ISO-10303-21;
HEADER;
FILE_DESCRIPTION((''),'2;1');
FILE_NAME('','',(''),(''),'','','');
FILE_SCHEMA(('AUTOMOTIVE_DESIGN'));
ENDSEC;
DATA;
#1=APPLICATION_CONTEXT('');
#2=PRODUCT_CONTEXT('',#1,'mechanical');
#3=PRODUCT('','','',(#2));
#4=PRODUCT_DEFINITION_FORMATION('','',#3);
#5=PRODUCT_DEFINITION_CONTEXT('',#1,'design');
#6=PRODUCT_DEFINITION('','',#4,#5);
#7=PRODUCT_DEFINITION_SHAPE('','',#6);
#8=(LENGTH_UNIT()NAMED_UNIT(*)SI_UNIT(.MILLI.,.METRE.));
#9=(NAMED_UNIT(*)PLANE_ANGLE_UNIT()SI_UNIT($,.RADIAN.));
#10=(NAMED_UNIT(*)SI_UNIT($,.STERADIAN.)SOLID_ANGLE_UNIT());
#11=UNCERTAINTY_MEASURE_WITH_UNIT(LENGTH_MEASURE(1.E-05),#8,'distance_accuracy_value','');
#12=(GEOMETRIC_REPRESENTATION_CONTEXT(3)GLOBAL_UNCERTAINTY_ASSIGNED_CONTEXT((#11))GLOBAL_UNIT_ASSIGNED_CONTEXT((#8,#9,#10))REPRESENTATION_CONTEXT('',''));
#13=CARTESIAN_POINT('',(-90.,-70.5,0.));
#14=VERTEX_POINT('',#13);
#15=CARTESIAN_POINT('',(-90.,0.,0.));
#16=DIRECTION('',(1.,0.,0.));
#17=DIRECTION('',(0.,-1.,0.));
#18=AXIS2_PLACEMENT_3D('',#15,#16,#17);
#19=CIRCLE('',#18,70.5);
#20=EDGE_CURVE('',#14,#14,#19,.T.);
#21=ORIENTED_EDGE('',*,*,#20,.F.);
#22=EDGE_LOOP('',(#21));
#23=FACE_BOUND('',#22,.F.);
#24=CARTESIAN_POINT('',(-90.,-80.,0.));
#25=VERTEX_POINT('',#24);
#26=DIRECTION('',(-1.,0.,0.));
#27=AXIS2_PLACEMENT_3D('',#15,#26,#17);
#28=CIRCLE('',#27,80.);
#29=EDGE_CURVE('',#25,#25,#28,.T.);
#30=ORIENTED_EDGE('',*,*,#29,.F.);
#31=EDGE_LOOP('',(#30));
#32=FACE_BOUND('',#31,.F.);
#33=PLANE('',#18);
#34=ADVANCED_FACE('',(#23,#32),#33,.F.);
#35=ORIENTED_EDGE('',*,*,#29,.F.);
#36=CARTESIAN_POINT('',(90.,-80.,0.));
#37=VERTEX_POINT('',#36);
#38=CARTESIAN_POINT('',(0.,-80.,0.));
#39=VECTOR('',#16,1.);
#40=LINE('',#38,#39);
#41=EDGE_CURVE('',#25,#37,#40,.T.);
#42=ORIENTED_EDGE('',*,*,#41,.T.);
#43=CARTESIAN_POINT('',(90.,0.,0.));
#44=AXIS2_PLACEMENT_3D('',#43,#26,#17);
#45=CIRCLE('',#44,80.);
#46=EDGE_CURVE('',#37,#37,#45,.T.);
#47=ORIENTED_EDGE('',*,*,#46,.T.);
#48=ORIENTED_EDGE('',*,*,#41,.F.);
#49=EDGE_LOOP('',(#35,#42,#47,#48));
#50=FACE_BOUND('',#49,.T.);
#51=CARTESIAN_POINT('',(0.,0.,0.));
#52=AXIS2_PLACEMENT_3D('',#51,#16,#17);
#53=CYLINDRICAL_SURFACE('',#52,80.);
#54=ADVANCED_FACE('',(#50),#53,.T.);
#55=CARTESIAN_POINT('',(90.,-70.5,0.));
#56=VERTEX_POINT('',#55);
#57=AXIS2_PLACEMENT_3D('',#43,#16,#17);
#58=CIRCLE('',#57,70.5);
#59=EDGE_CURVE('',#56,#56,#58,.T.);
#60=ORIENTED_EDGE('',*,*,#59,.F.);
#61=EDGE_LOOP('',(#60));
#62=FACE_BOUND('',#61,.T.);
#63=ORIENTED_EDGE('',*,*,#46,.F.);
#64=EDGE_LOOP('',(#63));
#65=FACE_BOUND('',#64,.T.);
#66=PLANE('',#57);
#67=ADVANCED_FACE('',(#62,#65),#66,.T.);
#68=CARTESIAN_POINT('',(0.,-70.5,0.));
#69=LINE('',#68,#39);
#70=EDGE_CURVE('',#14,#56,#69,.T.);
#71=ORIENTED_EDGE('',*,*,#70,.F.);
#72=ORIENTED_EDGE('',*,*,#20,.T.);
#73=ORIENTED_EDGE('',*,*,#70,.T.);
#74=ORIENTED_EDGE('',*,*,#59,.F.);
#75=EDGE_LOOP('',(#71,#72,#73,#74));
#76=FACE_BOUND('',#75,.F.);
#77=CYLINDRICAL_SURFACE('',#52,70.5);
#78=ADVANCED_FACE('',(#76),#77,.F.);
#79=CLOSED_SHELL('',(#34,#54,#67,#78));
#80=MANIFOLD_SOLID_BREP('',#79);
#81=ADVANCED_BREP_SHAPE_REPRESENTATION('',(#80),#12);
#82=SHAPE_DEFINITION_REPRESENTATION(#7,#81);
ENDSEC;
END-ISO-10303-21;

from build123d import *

# Parameters (mm, degrees)
F0_W          = 180
F0_H          = 9.5
F1_ANGLE_BACK = 90
F1_ANGLE      = 180


with BuildPart() as f1:
    # F0 (on Front) → F1 (revolve)
    with BuildSketch(Plane.XZ, mode=Mode.PRIVATE) as f1_sk:
        with Locations((0, 75.25)):
            Rectangle(F0_W, F0_H)
        with Locations((0, -75.25)):
            Rectangle(F0_W, F0_H)
    revolve(f1_sk.sketch.rotate(Axis((100, 0, 0), (1, 0, 0)), -F1_ANGLE_BACK), axis=Axis((100, 0, 0), (1, 0, 0)), revolution_arc=F1_ANGLE)


solid = f1.part
